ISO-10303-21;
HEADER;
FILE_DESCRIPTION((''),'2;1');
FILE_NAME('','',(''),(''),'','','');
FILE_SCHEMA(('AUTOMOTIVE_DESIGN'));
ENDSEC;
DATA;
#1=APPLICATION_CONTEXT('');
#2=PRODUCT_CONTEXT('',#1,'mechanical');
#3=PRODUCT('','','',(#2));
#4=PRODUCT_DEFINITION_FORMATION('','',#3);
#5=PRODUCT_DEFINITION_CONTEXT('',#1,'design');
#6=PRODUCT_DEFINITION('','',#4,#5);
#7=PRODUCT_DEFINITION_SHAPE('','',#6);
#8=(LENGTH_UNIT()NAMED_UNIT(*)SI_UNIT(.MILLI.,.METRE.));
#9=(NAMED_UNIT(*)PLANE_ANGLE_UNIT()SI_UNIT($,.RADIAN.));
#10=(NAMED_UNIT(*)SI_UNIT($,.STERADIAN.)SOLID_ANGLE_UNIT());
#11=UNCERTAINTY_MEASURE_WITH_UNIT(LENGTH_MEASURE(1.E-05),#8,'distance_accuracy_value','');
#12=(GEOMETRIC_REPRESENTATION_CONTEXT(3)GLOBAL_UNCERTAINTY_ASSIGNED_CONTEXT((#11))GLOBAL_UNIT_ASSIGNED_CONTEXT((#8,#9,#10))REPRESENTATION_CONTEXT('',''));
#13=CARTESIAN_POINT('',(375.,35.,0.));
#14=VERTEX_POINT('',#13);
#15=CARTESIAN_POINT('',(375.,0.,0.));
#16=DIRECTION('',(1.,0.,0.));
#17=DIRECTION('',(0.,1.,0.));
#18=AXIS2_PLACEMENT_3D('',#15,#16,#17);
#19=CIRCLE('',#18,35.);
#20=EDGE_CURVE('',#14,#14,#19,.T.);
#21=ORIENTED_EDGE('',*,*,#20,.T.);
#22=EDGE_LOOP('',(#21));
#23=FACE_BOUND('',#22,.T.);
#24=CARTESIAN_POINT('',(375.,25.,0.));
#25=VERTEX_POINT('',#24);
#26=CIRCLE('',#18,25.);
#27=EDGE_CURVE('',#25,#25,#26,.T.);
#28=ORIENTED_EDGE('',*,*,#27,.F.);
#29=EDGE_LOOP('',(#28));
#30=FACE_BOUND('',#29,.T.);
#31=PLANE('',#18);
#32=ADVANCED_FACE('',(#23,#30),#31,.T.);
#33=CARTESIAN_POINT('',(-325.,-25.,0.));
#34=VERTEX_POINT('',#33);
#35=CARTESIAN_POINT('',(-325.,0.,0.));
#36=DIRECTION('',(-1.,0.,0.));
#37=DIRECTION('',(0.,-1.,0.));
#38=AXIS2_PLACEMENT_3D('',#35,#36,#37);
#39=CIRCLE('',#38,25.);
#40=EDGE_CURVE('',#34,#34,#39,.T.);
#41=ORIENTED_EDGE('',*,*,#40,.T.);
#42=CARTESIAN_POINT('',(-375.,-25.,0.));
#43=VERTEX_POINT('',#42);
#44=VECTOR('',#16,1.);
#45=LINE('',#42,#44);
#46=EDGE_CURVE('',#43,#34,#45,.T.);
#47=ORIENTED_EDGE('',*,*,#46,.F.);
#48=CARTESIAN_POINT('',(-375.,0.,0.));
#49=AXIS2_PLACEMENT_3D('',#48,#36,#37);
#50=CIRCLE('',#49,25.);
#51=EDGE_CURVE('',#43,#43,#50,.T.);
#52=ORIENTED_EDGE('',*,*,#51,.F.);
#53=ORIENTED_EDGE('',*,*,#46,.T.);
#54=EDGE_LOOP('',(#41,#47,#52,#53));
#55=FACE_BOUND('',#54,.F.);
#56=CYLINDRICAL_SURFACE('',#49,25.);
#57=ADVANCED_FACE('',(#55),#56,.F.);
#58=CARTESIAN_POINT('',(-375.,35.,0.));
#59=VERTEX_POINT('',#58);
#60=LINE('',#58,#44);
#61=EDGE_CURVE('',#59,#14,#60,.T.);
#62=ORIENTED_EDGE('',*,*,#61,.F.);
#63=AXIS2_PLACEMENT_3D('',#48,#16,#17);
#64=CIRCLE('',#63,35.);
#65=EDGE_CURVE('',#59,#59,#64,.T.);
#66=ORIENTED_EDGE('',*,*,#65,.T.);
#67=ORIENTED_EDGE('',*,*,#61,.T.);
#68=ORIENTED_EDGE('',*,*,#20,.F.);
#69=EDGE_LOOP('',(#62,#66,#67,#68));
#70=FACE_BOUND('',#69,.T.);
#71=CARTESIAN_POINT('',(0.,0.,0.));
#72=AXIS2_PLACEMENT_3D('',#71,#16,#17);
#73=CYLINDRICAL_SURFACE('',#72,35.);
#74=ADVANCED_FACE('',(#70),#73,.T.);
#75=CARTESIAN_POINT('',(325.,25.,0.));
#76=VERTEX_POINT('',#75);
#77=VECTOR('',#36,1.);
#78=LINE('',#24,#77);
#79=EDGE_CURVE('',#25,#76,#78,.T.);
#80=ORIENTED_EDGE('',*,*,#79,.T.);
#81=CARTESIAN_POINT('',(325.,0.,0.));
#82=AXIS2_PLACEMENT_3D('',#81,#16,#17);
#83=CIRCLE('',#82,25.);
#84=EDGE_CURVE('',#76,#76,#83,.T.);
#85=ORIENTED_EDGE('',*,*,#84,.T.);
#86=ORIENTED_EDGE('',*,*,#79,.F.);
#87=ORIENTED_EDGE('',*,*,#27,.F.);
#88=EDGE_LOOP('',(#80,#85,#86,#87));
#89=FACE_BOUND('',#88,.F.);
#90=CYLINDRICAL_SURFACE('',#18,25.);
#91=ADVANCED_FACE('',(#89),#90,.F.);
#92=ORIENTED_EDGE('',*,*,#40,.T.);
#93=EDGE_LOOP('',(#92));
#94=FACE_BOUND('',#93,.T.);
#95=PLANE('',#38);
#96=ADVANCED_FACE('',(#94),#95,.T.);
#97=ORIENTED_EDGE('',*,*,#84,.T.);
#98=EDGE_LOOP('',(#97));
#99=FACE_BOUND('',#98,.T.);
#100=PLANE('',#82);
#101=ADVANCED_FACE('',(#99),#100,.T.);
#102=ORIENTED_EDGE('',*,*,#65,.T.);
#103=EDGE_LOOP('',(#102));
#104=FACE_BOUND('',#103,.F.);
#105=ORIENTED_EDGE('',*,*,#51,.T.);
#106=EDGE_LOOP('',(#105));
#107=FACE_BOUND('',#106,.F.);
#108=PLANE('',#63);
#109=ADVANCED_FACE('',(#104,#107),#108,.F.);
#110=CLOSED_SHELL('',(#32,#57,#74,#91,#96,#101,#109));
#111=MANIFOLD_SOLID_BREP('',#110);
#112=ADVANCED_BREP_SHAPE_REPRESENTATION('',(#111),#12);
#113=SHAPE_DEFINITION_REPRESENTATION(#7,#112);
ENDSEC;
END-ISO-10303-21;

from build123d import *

# Parameters (mm, degrees)
F0_R     = 35
F1_DEPTH = 375
F2_R     = 25
F3_DEPTH = 50
F4_R     = 25
F5_DEPTH = 50


with BuildPart() as f1:
    # F0 (on Right) → F1 (new body, symmetric)
    with BuildSketch(Plane.YZ):
        Circle(F0_R)
    extrude(amount=F1_DEPTH, both=True)

    # F2 (on face) → F3 (cut)
    with BuildSketch(Plane(origin=(-375, 0, 0), x_dir=(0, -1, 0), z_dir=(-1, 0, 0))):
        Circle(F2_R)
    extrude(amount=-F3_DEPTH, mode=Mode.SUBTRACT)

    # F4 (on face) → F5 (cut)
    with BuildSketch(Plane.YZ.offset(375)):
        Circle(F4_R)
    extrude(amount=-F5_DEPTH, mode=Mode.SUBTRACT)


solid = f1.part
